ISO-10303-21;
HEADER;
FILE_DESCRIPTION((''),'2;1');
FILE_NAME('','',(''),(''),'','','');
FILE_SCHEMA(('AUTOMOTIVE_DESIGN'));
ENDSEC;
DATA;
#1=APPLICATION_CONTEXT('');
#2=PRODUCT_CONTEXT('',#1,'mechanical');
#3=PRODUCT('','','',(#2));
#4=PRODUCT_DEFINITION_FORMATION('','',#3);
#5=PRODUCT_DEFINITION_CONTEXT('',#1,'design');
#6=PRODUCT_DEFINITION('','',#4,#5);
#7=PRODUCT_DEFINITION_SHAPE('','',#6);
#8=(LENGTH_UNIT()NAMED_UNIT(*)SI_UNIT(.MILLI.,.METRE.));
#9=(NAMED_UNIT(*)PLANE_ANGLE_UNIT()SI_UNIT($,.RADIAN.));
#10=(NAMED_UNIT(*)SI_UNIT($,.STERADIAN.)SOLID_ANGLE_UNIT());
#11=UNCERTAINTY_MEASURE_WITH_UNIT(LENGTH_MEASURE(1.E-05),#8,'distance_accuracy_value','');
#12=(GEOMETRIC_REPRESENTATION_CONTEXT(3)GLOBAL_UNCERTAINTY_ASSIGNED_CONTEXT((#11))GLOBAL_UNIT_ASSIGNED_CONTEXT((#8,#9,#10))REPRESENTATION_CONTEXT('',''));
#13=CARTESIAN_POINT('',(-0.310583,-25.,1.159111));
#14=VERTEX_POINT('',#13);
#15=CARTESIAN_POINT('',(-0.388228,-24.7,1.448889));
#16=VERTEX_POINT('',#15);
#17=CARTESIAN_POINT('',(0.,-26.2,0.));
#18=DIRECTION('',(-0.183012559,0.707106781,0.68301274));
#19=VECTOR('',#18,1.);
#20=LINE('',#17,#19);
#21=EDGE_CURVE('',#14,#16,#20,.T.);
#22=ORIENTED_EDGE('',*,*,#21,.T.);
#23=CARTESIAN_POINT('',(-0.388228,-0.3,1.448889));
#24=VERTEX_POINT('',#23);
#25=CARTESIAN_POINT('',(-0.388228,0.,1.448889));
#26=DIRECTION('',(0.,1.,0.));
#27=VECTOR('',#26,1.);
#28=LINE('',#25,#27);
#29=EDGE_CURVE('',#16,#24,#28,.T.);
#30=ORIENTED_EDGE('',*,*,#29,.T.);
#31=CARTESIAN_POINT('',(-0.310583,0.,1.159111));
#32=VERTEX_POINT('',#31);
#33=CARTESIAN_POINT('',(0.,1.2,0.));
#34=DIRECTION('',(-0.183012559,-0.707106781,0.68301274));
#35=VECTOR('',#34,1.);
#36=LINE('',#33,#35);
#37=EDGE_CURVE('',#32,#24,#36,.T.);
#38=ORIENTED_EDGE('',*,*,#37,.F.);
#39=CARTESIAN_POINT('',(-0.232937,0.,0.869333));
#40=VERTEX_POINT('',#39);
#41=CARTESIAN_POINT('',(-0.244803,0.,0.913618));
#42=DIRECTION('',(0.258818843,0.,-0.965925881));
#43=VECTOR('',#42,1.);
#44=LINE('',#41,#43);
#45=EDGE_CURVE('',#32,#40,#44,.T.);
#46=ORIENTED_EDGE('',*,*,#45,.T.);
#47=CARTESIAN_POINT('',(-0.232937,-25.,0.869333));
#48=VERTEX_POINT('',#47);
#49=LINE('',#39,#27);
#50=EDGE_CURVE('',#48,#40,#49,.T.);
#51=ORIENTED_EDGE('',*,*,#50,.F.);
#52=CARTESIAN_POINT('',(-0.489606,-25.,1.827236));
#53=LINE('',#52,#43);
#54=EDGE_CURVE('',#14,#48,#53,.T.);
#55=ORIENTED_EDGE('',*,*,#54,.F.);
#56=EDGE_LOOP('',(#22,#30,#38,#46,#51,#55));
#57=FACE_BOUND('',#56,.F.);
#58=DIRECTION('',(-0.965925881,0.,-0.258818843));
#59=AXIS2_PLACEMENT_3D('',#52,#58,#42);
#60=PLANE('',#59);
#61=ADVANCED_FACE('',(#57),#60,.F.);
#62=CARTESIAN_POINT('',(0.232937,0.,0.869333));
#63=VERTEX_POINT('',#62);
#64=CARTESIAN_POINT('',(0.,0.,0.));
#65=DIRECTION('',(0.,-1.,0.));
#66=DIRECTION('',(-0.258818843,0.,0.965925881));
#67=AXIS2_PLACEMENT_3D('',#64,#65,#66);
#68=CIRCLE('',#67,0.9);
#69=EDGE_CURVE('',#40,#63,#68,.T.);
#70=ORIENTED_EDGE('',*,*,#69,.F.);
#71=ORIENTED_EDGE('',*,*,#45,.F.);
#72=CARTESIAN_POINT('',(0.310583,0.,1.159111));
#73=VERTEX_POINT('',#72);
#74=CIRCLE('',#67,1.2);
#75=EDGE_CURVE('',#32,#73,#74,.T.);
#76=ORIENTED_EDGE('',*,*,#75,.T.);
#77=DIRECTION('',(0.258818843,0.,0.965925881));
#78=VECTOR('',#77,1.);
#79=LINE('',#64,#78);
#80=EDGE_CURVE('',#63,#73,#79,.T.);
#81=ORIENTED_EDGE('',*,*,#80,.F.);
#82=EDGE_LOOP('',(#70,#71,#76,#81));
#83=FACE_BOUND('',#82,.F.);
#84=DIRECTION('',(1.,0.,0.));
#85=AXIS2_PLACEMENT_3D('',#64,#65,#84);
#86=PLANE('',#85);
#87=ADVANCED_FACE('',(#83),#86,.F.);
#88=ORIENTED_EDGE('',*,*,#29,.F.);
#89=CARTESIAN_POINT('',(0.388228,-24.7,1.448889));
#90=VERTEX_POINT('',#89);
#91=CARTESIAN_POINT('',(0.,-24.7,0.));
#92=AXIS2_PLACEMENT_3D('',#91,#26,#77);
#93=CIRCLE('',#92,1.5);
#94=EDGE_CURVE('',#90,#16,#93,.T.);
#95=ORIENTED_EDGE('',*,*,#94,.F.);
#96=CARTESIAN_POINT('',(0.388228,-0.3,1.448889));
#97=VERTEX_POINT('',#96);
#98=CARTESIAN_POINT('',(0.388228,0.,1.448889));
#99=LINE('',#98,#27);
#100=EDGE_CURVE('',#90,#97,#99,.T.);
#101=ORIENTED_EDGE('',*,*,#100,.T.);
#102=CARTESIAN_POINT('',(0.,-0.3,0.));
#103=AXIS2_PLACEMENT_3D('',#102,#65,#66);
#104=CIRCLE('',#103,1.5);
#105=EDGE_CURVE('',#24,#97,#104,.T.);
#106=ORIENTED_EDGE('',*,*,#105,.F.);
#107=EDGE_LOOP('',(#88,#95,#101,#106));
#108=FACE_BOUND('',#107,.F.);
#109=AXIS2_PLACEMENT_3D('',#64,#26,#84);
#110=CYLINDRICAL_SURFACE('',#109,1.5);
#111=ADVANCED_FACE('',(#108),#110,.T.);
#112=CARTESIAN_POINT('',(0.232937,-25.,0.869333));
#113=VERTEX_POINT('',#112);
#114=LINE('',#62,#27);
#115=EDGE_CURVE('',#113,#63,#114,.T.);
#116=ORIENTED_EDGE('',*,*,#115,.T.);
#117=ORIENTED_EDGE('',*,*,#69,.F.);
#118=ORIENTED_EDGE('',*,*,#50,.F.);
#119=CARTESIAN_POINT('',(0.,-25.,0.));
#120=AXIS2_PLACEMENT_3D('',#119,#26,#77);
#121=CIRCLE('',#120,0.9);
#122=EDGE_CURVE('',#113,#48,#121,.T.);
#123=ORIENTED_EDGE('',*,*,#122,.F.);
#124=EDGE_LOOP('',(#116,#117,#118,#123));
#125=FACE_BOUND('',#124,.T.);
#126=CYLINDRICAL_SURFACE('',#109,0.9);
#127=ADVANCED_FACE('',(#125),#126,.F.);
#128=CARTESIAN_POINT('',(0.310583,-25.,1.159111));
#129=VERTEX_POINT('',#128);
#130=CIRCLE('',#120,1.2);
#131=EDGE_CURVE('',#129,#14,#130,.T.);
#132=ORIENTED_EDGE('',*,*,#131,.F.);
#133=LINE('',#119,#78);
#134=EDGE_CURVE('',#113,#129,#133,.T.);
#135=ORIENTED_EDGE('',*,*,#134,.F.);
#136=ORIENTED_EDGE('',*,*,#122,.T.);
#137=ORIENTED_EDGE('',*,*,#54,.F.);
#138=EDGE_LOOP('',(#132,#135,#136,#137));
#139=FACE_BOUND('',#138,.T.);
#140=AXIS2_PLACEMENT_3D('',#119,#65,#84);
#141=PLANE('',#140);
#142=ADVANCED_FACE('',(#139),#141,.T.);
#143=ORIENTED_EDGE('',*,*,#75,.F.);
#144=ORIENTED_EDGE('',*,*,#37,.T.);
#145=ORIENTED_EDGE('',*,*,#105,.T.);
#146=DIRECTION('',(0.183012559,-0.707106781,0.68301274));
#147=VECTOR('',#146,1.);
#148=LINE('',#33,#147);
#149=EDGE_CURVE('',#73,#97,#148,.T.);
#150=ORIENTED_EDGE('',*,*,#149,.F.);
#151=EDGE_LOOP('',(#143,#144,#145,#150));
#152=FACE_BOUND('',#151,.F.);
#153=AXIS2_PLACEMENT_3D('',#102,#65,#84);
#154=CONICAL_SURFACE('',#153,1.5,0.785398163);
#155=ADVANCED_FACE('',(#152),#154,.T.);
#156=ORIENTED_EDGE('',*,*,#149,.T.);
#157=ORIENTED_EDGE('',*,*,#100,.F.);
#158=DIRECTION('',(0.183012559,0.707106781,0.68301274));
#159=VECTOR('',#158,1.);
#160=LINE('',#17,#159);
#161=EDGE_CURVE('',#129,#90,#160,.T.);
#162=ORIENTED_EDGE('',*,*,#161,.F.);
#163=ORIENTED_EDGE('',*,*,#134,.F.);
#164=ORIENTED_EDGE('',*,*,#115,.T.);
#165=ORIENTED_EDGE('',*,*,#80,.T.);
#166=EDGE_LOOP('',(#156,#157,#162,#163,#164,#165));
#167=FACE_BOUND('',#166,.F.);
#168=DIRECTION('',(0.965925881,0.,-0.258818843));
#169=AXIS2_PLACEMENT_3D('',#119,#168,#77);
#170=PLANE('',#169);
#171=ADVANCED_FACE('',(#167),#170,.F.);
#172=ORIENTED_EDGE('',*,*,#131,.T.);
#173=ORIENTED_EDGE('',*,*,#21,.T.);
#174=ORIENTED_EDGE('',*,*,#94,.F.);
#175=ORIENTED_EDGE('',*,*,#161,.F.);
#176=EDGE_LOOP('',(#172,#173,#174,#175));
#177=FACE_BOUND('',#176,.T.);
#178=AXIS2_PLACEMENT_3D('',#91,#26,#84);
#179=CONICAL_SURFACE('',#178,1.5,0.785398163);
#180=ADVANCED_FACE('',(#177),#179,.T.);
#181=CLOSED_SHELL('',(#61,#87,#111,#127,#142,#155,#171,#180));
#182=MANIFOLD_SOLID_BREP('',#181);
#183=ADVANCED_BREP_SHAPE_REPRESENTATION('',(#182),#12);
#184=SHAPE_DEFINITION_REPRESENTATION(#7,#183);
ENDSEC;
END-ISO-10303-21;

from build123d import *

# Parameters (mm, degrees)
F0_R     = 1.5
F1_DEPTH = 25
F2_T     = -0.6
F3_SIZE  = 0.3
F4_SIZE  = 0.3
F6_DEPTH = 25.001


with BuildPart() as f1:
    # F0 (on Front) → F1 (new body)
    with BuildSketch(Plane.XZ):
        Circle(F0_R)
    extrude(amount=F1_DEPTH)

    # F2
    f2_openings = [f1.faces().sort_by_distance(p)[0] for p in [
        (0, -25, 0),
        (0, 0, 0),
    ]]
    offset(amount=F2_T, openings=f2_openings)

    # F3
    f3_edges = [f1.edges().sort_by_distance(p)[0] for p in [
        (-1.5, -25, 0),
    ]]
    chamfer(f3_edges, length=F3_SIZE)

    # F4
    f4_edges = [f1.edges().sort_by_distance(p)[0] for p in [
        (-1.5, 0, 0),
    ]]
    chamfer(f4_edges, length=F4_SIZE)

    # F5 (on face) → F6 (cut, through all)
    with BuildSketch(Plane.XZ.offset(25)):
        Polygon((-0.489606, 1.827236), (0, 0), (0.489606, 1.827236), align=None)
    extrude(amount=-F6_DEPTH, mode=Mode.SUBTRACT)


solid = f1.part
